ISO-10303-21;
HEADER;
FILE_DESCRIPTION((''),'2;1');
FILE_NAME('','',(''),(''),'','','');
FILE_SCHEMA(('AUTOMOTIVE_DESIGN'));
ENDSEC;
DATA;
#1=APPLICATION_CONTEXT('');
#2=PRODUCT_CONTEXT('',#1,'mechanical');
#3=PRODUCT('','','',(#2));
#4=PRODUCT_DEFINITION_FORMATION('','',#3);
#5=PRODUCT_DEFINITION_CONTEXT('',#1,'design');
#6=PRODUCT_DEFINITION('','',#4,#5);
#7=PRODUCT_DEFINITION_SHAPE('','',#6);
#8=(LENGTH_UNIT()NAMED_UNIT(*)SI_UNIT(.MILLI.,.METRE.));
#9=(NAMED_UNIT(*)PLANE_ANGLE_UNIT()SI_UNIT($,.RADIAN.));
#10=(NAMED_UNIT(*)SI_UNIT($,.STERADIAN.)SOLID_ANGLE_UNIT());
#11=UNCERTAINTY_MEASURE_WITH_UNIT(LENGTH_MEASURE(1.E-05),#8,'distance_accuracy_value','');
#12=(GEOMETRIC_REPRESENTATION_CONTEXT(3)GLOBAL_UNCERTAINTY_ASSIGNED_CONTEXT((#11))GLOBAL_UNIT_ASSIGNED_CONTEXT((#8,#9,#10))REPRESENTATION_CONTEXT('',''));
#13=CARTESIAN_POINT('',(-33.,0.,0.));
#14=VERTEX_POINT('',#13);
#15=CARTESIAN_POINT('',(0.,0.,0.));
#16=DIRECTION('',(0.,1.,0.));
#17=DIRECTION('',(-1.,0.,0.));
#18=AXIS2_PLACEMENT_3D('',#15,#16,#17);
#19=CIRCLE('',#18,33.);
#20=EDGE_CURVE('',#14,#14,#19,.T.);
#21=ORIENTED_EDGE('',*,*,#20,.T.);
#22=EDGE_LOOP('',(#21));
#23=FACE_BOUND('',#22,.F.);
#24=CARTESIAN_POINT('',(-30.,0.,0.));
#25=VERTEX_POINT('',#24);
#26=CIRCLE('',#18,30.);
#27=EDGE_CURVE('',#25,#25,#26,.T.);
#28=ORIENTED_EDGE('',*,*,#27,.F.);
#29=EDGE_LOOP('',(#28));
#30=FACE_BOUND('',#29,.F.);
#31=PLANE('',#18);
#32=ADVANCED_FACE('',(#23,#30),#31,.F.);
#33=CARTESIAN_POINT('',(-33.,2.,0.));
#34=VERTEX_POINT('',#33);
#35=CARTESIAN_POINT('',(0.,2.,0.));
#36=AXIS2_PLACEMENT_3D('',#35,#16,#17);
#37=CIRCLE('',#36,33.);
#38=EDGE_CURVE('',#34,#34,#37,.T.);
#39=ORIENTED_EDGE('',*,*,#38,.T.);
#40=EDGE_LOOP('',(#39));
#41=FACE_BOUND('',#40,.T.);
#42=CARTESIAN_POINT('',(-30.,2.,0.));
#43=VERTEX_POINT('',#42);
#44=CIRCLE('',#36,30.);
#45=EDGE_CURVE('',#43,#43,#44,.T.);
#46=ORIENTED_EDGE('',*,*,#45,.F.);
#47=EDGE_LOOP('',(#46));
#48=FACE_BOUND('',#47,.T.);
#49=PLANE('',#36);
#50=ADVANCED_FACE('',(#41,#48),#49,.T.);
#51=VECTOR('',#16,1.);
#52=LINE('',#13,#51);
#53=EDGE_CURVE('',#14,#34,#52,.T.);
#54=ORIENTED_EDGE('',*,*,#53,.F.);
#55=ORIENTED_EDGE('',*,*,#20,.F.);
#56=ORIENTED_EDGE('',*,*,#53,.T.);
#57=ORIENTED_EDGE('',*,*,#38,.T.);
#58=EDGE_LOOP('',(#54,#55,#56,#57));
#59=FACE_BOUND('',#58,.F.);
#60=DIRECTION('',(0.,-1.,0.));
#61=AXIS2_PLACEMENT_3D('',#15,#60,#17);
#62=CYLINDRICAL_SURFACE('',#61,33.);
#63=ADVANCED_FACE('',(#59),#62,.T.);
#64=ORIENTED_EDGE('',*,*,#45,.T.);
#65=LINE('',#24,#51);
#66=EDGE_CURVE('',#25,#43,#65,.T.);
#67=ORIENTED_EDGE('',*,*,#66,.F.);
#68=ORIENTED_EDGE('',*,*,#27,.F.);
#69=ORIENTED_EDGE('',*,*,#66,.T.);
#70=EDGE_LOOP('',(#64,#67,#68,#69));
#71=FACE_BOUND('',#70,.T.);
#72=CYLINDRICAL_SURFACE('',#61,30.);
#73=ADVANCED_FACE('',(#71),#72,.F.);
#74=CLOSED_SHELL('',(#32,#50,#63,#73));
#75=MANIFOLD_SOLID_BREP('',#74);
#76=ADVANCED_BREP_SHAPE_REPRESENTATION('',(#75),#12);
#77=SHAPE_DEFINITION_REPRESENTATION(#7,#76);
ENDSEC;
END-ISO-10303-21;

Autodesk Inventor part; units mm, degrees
ref_plane "YZ Plane" through (0, 0, 0) normal (1, 0, 0) x (0, 1, 0)
ref_plane "XZ Plane" through (0, 0, 0) normal (0, 1, 0) x (-1, 0, 0)
ref_plane "XY Plane" through (0, 0, 0) normal (0, 0, 1) x (1, 0, 0)
sketch "Sketch1" plane through (0, 0, 0) normal (0, 1, 0) x (-1, 0, 0)
  circle A0 centre (0, 0) radius 33
  circle A1 centre (0, 0) radius 30
  dimension "d0" = 66
  dimension "d4" = 60
extrude "Extrusion1" add sketch "Sketch1" along normal blind 2
properties part number "011"
